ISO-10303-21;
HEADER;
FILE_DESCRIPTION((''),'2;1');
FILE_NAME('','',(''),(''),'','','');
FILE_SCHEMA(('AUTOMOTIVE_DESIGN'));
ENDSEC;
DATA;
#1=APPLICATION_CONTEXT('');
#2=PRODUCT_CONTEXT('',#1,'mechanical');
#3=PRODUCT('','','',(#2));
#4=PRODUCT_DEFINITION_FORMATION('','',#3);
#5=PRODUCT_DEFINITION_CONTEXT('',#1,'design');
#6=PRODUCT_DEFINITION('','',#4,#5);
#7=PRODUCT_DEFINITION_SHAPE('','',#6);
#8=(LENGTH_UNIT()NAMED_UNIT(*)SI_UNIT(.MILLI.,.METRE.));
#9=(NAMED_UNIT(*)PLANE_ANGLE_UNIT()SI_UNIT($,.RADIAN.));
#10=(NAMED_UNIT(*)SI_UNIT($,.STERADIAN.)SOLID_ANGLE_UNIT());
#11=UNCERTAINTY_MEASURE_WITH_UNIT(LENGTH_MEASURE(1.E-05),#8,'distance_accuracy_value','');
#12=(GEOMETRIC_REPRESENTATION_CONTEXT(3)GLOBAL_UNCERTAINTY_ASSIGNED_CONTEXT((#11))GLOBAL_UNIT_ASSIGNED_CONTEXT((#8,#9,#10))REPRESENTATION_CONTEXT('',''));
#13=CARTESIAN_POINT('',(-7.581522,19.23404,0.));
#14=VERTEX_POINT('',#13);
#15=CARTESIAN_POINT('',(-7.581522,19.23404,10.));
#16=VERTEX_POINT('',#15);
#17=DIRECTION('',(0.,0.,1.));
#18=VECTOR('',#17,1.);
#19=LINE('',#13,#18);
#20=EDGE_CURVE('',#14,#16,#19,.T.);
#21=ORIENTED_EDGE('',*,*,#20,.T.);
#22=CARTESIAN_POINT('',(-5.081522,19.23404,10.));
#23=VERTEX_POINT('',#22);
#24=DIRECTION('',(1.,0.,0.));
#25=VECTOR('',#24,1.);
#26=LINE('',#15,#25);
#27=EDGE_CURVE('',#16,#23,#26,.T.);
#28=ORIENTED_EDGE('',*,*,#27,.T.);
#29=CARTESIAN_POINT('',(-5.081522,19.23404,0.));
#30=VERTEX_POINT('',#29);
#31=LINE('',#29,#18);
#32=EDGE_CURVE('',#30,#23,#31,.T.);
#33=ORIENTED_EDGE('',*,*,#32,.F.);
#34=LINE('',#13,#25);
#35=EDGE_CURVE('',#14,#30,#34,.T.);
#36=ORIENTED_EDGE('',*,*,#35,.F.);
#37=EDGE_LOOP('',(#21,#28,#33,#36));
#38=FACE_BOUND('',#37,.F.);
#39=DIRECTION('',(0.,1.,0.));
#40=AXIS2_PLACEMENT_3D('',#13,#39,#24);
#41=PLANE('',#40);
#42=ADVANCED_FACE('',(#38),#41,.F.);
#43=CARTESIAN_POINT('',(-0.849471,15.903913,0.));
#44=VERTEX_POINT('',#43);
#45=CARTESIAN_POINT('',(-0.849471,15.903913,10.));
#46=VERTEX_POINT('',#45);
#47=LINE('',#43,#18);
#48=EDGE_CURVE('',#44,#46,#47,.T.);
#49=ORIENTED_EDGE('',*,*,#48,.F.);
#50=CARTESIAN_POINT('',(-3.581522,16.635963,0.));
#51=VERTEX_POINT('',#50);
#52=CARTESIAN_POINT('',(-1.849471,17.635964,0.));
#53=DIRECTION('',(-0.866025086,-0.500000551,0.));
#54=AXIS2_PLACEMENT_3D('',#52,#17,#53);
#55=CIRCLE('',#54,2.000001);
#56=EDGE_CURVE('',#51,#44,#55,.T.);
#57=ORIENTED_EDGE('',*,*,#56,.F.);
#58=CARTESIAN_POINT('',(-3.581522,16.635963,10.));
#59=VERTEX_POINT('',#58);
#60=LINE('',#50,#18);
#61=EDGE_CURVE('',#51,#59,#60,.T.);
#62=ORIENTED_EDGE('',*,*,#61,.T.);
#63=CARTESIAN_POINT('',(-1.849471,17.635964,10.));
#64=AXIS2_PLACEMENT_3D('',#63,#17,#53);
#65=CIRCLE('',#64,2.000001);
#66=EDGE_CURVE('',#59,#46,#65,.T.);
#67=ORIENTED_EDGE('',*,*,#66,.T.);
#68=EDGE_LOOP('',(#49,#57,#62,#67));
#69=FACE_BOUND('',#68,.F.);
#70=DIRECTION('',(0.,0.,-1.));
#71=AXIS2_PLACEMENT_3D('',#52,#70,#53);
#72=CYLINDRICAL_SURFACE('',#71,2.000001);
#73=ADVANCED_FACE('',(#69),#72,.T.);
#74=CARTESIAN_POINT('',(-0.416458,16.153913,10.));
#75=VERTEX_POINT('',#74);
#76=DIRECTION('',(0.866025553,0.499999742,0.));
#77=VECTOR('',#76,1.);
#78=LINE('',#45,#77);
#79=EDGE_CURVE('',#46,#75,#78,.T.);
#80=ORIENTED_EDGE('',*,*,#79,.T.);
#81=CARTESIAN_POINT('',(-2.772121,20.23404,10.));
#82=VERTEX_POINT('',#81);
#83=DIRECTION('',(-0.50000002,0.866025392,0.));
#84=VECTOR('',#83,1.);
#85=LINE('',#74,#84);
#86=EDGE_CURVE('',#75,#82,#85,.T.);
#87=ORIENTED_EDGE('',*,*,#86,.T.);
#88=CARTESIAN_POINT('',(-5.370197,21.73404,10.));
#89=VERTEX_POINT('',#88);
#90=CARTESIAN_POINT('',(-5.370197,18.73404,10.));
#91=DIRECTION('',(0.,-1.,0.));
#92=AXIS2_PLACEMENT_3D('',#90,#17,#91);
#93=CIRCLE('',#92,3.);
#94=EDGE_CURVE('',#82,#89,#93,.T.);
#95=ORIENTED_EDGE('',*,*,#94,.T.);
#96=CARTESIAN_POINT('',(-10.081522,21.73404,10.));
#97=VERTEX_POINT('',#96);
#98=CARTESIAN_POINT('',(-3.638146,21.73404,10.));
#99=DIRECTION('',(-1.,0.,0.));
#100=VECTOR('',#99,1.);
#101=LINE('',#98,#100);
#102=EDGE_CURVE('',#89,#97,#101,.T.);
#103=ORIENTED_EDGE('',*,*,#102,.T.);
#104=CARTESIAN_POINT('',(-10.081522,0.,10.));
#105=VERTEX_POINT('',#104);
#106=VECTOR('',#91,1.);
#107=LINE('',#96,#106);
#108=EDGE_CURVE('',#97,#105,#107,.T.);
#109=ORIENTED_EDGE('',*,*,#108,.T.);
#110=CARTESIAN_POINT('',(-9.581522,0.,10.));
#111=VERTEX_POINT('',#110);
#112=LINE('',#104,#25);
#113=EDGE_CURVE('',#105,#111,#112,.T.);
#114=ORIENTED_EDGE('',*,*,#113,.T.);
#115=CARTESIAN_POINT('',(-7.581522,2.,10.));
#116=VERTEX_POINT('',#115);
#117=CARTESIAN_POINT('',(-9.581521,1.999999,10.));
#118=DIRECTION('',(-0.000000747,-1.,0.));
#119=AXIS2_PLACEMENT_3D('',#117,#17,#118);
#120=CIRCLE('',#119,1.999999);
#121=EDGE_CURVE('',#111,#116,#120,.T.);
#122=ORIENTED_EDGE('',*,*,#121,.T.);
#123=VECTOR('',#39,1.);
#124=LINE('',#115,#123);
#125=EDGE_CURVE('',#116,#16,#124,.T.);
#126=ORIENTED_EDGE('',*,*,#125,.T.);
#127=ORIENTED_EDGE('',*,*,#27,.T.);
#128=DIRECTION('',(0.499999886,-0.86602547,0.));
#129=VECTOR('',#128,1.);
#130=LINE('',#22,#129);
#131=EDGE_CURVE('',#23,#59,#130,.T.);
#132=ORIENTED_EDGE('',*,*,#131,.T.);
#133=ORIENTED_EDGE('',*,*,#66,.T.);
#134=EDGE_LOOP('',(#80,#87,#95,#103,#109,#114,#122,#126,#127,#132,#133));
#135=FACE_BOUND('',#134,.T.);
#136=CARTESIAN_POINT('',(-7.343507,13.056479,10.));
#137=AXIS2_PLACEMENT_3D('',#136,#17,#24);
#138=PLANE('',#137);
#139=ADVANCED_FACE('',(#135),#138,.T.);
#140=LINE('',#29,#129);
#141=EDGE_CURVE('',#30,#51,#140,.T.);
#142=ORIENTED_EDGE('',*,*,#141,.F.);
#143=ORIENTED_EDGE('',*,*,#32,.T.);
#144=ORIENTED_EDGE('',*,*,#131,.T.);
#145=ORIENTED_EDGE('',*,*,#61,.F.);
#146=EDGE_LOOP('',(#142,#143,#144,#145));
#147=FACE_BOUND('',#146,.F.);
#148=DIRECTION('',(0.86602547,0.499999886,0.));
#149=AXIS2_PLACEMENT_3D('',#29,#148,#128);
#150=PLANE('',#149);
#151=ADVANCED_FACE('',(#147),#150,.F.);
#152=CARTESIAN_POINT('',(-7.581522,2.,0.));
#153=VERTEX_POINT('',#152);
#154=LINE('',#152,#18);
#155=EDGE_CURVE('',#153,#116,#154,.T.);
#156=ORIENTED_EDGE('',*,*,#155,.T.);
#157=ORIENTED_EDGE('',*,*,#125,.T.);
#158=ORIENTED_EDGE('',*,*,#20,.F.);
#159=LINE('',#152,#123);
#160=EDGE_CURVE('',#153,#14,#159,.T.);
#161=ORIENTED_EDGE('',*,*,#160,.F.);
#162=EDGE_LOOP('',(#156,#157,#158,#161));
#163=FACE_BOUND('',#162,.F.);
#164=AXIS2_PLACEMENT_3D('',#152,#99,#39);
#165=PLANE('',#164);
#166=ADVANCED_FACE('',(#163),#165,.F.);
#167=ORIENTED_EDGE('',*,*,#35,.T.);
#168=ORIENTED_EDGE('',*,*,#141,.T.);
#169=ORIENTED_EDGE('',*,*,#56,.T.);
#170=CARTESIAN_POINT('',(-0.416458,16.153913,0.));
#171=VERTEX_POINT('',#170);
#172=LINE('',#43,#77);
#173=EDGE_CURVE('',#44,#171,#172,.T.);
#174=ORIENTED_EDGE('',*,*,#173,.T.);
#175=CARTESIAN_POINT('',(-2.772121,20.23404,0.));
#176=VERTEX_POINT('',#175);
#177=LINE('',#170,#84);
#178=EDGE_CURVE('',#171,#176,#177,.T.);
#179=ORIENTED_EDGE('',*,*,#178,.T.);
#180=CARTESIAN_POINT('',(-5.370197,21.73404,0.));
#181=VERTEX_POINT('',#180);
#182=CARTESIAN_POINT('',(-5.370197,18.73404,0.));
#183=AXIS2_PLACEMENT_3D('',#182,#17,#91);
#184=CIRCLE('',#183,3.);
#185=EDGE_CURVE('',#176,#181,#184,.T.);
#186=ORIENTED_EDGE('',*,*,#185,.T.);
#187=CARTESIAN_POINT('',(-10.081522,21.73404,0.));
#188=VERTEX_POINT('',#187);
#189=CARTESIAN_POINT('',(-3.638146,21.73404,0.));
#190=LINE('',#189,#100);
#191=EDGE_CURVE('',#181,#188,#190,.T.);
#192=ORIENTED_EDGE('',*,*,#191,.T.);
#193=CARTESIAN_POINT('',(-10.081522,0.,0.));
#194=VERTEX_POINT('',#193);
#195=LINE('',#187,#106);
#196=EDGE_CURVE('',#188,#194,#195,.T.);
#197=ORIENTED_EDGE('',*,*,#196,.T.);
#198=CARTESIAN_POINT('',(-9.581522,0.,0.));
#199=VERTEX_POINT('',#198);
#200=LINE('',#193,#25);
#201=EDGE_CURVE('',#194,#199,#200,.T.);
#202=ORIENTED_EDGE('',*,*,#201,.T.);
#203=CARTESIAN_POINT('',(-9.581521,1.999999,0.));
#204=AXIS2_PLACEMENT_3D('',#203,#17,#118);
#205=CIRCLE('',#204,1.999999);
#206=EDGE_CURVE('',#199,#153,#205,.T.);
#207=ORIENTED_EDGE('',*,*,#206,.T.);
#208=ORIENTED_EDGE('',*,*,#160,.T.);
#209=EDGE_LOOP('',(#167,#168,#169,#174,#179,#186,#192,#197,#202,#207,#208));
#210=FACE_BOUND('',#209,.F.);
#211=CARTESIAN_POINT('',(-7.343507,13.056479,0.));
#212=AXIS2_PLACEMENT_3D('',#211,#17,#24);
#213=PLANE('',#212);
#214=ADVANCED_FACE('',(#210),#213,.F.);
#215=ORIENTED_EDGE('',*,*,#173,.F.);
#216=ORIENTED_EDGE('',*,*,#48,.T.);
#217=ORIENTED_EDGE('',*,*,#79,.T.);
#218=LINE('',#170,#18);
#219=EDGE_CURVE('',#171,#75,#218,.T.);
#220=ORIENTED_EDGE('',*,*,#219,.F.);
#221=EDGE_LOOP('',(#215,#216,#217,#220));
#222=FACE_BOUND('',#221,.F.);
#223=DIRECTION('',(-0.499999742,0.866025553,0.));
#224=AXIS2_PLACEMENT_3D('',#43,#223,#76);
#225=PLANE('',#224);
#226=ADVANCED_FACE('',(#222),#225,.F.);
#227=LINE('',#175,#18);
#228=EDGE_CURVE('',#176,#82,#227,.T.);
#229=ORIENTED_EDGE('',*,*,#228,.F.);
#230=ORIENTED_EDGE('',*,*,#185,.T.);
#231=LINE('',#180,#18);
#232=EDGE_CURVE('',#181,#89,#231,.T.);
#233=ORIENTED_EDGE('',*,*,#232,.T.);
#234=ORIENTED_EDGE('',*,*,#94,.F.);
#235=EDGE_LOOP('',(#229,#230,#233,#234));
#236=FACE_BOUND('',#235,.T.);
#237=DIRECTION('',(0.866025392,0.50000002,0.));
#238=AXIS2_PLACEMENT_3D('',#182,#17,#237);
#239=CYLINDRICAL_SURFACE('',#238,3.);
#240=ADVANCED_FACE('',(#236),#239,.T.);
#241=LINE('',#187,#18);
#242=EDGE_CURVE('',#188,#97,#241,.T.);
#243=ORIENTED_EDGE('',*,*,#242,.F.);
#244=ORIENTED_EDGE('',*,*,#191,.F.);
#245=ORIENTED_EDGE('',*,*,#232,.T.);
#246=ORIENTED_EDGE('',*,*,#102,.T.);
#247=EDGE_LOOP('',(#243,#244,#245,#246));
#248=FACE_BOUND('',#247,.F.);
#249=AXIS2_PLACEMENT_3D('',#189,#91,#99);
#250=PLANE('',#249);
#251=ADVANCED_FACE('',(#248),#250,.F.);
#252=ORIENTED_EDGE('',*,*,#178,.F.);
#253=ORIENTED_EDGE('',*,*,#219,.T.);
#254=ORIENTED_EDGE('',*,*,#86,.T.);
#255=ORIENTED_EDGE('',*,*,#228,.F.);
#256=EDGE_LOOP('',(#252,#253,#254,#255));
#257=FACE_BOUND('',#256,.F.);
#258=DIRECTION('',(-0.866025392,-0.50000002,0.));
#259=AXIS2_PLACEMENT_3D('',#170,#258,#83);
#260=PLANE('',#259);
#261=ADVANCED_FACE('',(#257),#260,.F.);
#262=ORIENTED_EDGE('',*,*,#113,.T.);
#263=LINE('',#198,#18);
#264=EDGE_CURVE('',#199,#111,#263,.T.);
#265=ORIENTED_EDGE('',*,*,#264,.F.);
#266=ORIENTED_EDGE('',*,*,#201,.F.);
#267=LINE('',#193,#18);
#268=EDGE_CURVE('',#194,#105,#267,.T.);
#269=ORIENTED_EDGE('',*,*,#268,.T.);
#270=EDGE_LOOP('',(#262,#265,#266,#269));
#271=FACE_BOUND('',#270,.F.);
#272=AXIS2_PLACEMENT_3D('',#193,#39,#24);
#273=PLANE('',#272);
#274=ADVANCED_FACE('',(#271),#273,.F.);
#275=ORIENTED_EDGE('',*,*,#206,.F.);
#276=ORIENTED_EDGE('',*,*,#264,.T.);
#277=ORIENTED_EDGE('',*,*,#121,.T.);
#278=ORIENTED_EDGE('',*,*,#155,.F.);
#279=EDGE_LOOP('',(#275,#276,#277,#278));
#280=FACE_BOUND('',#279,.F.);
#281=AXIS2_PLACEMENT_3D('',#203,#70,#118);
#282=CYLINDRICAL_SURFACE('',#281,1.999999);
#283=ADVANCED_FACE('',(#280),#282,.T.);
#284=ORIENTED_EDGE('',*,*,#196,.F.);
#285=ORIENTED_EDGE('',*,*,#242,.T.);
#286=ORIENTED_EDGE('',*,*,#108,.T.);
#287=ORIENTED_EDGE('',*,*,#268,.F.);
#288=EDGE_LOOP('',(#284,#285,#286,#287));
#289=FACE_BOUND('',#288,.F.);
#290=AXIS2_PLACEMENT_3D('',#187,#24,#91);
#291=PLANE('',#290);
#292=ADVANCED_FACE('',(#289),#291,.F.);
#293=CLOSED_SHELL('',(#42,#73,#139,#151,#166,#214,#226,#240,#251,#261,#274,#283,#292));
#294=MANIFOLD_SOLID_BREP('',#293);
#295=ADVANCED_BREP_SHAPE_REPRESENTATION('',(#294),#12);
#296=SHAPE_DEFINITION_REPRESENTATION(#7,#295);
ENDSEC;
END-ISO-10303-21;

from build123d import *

# Parameters (mm, degrees)
F1_DEPTH = 10
F2_R     = 3


with BuildPart() as f1:
    # F0 (on Top) → F1 (new body)
    with BuildSketch(Plane.XY):
        with BuildLine():
            ThreePointArc((-9.581522, 0), (-8.167308, 0.585786), (-7.581522, 2))
            Line((-7.581522, 2), (-7.581522, 19.23404))
            Line((-7.581522, 19.23404), (-5.081522, 19.23404))
            Line((-5.081522, 19.23404), (-3.581522, 16.635963))
            ThreePointArc((-3.581522, 16.635963), (-2.367109, 15.704112), (-0.849471, 15.903913))
            Line((-0.849471, 15.903913), (-0.416458, 16.153913))
            Line((-0.416458, 16.153913), (-3.638146, 21.73404))
            Line((-3.638146, 21.73404), (-10.081522, 21.73404))
            Line((-10.081522, 21.73404), (-10.081522, 0))
            Line((-10.081522, 0), (-9.581522, 0))
        make_face()
    extrude(amount=F1_DEPTH)

    # F2
    f2_edges = [f1.edges().sort_by_distance(p)[0] for p in [
        (-3.638146, 21.73404, 5),
    ]]
    fillet(f2_edges, radius=F2_R)


solid = f1.part
